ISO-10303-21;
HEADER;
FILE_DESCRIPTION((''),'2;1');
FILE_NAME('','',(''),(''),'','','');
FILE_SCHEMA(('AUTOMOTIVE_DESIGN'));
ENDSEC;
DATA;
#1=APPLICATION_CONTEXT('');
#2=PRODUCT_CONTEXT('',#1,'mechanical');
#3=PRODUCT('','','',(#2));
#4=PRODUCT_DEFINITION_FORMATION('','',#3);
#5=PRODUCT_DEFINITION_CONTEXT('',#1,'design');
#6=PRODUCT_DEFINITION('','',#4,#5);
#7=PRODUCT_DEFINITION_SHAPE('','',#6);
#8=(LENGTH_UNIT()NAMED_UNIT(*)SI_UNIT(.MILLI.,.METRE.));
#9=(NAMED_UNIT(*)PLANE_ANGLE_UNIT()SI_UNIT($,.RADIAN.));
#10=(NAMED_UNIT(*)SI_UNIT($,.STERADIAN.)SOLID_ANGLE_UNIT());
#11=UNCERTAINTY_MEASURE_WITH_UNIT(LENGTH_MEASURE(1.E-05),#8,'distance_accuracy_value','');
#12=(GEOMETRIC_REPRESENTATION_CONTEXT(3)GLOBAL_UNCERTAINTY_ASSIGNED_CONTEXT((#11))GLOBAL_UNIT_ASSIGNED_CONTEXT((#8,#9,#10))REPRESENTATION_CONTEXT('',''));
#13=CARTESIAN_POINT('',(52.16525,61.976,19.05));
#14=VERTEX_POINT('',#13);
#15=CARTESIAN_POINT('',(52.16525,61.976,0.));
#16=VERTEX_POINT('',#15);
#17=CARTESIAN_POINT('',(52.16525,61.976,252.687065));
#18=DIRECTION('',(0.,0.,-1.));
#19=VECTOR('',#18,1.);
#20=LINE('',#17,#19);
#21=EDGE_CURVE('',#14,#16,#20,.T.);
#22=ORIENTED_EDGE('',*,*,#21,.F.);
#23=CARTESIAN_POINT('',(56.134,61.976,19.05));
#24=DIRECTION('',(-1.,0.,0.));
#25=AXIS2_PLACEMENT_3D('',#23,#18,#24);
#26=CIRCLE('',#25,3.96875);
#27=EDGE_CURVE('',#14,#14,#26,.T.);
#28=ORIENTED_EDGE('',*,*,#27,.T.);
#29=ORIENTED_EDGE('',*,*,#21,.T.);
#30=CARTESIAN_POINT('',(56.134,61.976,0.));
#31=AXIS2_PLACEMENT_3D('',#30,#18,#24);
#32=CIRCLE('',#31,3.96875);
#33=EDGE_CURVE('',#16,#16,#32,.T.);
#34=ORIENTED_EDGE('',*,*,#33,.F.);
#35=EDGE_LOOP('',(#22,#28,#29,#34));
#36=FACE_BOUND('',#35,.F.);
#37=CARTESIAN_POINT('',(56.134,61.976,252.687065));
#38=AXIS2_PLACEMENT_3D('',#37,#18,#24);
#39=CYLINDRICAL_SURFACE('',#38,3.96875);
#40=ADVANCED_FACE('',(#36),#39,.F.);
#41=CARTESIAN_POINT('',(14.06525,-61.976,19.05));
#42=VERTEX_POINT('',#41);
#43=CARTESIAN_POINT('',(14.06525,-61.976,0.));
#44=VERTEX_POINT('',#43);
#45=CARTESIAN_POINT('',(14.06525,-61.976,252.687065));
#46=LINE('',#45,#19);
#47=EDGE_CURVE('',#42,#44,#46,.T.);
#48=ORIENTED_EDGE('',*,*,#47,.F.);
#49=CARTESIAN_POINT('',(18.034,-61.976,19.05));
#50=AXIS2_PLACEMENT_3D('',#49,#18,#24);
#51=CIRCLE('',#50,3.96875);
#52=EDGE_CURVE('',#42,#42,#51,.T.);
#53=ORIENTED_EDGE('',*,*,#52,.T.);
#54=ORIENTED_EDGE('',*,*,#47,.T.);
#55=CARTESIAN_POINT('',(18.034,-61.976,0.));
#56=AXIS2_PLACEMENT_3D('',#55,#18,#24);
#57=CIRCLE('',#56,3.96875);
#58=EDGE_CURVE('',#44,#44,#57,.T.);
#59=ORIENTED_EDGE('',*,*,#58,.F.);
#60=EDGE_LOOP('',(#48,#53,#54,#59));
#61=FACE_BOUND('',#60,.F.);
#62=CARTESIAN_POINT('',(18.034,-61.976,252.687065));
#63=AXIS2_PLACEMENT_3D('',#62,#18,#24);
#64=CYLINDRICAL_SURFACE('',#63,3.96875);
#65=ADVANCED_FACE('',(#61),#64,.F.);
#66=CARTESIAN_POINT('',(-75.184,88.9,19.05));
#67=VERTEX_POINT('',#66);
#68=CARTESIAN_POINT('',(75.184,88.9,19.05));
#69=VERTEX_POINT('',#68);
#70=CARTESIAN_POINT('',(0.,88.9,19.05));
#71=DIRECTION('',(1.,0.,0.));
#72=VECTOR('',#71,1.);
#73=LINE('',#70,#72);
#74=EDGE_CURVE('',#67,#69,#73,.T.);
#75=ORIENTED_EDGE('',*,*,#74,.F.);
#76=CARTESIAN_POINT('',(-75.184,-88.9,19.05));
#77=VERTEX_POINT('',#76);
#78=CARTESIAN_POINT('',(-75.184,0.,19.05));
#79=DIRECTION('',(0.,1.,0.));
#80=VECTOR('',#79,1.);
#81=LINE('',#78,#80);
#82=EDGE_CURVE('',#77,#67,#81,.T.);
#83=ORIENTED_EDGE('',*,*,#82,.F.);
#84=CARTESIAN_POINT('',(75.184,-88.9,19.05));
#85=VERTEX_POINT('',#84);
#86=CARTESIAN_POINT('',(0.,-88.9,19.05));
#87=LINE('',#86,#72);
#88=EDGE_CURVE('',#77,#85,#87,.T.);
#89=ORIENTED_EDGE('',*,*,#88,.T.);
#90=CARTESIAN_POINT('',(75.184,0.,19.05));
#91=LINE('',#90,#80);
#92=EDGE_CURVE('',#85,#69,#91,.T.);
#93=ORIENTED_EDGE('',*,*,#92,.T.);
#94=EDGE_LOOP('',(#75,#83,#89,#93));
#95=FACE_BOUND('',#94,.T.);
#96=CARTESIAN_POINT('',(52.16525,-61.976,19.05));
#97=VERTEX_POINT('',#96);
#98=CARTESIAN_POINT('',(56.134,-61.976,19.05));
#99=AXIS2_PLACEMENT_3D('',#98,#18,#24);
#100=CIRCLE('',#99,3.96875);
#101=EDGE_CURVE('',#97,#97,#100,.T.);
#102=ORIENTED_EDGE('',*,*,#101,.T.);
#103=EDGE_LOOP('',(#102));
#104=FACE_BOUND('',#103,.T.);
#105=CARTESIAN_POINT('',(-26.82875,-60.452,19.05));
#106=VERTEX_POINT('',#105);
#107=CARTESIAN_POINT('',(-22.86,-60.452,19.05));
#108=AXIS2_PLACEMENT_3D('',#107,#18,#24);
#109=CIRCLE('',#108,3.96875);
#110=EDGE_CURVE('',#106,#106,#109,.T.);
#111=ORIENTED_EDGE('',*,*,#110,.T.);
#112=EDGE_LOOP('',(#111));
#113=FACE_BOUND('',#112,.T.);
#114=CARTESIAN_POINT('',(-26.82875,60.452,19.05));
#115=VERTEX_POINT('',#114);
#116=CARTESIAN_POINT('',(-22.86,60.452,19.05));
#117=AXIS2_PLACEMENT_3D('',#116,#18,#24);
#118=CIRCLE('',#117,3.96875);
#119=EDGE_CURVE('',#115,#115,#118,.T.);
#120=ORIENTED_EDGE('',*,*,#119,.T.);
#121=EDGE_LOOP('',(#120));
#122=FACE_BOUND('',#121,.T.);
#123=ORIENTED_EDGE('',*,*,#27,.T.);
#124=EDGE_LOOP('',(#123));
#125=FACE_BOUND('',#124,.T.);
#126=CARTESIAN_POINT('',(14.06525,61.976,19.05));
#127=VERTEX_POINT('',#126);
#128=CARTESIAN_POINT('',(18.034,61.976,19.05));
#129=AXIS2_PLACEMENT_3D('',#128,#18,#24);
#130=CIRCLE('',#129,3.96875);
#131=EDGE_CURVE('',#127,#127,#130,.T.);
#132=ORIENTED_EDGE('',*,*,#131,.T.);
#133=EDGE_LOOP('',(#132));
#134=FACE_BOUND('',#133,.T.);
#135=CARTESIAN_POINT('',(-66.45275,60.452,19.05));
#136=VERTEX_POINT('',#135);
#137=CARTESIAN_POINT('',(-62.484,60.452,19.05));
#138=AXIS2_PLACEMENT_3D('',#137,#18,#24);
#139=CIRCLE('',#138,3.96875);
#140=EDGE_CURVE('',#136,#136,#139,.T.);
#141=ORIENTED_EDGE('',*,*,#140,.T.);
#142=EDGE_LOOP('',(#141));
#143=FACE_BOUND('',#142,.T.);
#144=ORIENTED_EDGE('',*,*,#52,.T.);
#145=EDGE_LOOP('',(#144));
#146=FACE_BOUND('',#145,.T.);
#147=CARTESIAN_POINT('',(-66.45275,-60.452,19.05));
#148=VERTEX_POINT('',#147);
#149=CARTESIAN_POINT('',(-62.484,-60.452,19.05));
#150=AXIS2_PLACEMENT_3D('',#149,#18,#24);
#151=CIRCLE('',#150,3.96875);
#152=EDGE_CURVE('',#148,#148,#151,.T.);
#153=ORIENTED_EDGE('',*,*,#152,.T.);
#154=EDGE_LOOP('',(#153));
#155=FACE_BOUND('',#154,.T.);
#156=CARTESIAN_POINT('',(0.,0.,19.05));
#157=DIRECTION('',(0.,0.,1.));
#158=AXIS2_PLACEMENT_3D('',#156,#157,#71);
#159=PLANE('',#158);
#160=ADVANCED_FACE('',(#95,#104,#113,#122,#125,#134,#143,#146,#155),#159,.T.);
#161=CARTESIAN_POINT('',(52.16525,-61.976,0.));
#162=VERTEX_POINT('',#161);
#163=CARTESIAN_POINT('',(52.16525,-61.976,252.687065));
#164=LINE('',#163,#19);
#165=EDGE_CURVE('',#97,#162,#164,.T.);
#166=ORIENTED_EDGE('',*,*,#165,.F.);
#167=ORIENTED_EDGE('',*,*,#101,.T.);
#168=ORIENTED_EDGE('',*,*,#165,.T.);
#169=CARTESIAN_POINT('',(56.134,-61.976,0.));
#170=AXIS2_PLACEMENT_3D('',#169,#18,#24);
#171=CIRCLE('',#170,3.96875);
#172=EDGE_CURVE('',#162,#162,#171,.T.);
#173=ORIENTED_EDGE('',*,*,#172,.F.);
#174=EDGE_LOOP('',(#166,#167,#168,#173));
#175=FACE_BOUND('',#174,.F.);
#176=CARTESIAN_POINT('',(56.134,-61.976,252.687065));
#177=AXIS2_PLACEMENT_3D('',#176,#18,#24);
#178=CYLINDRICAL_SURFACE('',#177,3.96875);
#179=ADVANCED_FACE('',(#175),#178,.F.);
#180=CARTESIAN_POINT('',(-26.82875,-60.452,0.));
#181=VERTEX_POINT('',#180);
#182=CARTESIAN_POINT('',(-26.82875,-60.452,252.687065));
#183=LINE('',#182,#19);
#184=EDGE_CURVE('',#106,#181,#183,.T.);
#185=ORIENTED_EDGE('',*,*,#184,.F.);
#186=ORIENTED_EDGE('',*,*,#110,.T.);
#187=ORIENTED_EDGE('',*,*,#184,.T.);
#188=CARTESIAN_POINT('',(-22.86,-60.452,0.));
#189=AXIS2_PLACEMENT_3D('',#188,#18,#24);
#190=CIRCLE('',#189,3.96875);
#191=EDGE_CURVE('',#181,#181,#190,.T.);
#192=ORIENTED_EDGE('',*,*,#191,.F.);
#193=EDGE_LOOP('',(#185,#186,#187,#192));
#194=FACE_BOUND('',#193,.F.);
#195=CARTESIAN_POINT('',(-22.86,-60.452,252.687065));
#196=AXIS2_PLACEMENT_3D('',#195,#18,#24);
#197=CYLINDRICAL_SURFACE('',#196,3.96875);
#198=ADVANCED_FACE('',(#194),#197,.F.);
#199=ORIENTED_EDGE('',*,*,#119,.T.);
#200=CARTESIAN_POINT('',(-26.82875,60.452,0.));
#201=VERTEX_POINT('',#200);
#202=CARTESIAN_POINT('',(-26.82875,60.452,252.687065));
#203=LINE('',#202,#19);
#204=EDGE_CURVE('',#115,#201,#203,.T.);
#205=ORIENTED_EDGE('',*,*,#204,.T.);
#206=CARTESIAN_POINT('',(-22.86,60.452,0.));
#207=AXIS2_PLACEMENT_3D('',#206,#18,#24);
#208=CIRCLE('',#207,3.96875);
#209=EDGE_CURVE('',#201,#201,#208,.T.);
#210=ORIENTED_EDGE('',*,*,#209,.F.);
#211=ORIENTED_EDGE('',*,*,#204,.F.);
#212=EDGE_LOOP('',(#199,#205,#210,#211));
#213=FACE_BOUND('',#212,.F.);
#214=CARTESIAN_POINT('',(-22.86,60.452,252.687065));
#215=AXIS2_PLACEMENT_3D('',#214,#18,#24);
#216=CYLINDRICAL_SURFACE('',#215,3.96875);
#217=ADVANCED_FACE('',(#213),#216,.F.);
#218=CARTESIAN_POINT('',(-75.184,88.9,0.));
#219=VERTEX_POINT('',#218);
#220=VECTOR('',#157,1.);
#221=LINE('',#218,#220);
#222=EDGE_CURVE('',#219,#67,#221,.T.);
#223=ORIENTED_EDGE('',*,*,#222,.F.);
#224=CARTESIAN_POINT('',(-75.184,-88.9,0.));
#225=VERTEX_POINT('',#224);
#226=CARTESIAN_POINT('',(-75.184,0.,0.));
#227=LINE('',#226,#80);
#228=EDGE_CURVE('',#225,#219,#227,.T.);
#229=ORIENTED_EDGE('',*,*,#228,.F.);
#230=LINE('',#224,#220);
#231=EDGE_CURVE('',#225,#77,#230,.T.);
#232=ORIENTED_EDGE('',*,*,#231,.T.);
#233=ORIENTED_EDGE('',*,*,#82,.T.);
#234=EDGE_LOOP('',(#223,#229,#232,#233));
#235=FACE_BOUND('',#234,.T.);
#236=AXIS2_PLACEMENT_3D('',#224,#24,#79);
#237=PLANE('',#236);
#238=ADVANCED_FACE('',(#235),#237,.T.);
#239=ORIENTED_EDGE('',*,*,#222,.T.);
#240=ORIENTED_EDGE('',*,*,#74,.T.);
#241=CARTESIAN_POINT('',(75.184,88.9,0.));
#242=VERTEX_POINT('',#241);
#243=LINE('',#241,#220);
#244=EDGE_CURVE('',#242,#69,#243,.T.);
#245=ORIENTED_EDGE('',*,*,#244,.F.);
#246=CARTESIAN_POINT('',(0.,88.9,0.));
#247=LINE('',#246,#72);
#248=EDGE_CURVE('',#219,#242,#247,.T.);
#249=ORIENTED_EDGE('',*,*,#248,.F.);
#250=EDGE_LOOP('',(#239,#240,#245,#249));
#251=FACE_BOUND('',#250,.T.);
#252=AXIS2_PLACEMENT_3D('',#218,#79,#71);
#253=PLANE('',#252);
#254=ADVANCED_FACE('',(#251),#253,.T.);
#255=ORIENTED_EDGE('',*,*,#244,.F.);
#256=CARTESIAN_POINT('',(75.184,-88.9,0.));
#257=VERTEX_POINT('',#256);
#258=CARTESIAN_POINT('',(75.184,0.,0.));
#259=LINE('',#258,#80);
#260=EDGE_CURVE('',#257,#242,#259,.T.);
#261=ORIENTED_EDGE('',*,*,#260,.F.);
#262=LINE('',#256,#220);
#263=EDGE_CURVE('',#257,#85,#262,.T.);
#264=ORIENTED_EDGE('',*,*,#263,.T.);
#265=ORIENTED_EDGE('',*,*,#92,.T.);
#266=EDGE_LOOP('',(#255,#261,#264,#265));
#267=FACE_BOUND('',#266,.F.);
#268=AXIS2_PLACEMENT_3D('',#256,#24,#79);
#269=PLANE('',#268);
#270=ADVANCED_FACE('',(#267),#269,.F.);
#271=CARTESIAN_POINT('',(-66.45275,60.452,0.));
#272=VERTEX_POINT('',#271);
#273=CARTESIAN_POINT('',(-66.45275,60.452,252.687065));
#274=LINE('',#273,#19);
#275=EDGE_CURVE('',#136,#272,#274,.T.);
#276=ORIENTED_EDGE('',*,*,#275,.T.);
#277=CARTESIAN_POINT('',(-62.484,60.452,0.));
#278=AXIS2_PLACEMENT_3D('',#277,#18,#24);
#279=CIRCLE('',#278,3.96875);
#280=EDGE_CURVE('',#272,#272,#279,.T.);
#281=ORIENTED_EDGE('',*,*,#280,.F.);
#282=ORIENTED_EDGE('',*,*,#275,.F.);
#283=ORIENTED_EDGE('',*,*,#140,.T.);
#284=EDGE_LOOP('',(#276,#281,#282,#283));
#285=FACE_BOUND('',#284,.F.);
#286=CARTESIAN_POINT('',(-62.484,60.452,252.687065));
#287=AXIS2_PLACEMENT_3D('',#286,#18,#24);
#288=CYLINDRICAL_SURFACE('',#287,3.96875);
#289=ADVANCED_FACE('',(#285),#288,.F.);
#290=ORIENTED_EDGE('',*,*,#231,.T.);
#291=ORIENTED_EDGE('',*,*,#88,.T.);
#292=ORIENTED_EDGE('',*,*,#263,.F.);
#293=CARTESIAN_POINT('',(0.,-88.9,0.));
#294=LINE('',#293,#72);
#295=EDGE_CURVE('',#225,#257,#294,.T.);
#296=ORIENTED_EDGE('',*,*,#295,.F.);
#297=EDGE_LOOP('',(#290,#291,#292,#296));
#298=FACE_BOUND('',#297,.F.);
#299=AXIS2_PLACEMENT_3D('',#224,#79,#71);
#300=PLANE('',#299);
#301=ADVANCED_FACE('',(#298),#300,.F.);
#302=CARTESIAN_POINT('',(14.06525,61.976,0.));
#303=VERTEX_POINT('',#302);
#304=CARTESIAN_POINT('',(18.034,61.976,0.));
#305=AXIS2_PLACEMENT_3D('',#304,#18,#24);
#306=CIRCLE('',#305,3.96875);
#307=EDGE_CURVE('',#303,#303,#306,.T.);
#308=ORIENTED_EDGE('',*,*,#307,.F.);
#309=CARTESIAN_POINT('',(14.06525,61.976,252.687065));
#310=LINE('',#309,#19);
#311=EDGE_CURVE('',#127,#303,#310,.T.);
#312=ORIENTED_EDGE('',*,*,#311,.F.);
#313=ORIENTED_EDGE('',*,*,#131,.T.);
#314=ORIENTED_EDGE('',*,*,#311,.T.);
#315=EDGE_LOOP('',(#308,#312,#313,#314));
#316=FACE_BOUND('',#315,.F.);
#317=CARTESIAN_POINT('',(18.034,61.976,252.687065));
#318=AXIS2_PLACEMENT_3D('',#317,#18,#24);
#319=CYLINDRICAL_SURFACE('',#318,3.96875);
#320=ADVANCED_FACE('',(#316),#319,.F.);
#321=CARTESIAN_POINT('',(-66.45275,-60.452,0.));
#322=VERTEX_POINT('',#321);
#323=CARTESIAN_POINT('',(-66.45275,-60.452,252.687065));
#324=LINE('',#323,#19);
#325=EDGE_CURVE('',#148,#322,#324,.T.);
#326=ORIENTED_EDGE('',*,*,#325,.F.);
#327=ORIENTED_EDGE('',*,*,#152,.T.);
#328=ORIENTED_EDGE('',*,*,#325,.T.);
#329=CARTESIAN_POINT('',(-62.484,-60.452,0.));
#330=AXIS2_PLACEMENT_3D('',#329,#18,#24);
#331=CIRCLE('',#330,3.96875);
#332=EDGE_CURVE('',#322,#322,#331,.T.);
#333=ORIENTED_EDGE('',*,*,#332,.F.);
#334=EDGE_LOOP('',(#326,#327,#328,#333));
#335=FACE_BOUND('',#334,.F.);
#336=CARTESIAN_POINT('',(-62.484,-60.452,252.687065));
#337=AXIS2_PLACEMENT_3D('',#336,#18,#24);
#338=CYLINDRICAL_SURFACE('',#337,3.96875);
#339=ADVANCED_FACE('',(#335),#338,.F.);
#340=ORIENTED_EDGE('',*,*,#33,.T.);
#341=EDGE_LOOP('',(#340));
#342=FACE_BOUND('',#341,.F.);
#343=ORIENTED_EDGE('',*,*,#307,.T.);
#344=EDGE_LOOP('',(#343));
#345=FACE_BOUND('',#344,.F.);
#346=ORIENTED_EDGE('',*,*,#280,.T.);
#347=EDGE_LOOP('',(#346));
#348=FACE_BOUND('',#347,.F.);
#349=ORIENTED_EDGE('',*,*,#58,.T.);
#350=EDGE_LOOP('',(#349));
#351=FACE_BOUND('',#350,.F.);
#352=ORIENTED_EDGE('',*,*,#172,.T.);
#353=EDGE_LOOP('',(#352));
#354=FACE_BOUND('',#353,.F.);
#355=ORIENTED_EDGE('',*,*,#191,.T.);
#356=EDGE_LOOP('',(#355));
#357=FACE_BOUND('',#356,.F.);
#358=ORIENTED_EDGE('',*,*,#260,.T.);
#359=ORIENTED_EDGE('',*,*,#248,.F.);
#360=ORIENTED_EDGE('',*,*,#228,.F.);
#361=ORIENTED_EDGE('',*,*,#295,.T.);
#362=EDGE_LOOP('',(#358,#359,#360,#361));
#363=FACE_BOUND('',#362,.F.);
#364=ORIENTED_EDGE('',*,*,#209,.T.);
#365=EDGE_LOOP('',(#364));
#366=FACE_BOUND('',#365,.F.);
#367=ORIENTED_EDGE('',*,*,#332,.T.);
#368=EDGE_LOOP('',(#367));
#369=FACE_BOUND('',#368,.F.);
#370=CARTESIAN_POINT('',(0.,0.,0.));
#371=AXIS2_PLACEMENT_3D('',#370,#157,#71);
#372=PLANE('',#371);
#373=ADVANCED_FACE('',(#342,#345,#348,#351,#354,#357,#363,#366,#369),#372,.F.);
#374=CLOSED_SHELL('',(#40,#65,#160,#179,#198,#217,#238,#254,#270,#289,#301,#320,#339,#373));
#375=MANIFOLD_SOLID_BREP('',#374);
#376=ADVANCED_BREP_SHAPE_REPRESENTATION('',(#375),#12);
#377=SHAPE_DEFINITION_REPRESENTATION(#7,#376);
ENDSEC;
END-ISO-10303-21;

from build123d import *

# Parameters (mm, degrees)
F0_W     = 150.368
F0_H     = 177.8
F1_DEPTH = 19.05
F3_D     = 7.9375


with BuildPart() as f1:
    # F0 (on Top) → F1 (new body)
    with BuildSketch(Plane.XY):
        Rectangle(F0_W, F0_H)
    extrude(amount=F1_DEPTH)

    # F3 (through all)
    with Locations(Plane.XY.offset(19.05)):
        with Locations((18.034, 61.976), (56.134, 61.976), (18.034, -61.976), (56.134, -61.976), (-62.484, 60.452), (-22.86, 60.452), (-62.484, -60.452), (-22.86, -60.452)):
            Hole(F3_D / 2)


solid = f1.part
